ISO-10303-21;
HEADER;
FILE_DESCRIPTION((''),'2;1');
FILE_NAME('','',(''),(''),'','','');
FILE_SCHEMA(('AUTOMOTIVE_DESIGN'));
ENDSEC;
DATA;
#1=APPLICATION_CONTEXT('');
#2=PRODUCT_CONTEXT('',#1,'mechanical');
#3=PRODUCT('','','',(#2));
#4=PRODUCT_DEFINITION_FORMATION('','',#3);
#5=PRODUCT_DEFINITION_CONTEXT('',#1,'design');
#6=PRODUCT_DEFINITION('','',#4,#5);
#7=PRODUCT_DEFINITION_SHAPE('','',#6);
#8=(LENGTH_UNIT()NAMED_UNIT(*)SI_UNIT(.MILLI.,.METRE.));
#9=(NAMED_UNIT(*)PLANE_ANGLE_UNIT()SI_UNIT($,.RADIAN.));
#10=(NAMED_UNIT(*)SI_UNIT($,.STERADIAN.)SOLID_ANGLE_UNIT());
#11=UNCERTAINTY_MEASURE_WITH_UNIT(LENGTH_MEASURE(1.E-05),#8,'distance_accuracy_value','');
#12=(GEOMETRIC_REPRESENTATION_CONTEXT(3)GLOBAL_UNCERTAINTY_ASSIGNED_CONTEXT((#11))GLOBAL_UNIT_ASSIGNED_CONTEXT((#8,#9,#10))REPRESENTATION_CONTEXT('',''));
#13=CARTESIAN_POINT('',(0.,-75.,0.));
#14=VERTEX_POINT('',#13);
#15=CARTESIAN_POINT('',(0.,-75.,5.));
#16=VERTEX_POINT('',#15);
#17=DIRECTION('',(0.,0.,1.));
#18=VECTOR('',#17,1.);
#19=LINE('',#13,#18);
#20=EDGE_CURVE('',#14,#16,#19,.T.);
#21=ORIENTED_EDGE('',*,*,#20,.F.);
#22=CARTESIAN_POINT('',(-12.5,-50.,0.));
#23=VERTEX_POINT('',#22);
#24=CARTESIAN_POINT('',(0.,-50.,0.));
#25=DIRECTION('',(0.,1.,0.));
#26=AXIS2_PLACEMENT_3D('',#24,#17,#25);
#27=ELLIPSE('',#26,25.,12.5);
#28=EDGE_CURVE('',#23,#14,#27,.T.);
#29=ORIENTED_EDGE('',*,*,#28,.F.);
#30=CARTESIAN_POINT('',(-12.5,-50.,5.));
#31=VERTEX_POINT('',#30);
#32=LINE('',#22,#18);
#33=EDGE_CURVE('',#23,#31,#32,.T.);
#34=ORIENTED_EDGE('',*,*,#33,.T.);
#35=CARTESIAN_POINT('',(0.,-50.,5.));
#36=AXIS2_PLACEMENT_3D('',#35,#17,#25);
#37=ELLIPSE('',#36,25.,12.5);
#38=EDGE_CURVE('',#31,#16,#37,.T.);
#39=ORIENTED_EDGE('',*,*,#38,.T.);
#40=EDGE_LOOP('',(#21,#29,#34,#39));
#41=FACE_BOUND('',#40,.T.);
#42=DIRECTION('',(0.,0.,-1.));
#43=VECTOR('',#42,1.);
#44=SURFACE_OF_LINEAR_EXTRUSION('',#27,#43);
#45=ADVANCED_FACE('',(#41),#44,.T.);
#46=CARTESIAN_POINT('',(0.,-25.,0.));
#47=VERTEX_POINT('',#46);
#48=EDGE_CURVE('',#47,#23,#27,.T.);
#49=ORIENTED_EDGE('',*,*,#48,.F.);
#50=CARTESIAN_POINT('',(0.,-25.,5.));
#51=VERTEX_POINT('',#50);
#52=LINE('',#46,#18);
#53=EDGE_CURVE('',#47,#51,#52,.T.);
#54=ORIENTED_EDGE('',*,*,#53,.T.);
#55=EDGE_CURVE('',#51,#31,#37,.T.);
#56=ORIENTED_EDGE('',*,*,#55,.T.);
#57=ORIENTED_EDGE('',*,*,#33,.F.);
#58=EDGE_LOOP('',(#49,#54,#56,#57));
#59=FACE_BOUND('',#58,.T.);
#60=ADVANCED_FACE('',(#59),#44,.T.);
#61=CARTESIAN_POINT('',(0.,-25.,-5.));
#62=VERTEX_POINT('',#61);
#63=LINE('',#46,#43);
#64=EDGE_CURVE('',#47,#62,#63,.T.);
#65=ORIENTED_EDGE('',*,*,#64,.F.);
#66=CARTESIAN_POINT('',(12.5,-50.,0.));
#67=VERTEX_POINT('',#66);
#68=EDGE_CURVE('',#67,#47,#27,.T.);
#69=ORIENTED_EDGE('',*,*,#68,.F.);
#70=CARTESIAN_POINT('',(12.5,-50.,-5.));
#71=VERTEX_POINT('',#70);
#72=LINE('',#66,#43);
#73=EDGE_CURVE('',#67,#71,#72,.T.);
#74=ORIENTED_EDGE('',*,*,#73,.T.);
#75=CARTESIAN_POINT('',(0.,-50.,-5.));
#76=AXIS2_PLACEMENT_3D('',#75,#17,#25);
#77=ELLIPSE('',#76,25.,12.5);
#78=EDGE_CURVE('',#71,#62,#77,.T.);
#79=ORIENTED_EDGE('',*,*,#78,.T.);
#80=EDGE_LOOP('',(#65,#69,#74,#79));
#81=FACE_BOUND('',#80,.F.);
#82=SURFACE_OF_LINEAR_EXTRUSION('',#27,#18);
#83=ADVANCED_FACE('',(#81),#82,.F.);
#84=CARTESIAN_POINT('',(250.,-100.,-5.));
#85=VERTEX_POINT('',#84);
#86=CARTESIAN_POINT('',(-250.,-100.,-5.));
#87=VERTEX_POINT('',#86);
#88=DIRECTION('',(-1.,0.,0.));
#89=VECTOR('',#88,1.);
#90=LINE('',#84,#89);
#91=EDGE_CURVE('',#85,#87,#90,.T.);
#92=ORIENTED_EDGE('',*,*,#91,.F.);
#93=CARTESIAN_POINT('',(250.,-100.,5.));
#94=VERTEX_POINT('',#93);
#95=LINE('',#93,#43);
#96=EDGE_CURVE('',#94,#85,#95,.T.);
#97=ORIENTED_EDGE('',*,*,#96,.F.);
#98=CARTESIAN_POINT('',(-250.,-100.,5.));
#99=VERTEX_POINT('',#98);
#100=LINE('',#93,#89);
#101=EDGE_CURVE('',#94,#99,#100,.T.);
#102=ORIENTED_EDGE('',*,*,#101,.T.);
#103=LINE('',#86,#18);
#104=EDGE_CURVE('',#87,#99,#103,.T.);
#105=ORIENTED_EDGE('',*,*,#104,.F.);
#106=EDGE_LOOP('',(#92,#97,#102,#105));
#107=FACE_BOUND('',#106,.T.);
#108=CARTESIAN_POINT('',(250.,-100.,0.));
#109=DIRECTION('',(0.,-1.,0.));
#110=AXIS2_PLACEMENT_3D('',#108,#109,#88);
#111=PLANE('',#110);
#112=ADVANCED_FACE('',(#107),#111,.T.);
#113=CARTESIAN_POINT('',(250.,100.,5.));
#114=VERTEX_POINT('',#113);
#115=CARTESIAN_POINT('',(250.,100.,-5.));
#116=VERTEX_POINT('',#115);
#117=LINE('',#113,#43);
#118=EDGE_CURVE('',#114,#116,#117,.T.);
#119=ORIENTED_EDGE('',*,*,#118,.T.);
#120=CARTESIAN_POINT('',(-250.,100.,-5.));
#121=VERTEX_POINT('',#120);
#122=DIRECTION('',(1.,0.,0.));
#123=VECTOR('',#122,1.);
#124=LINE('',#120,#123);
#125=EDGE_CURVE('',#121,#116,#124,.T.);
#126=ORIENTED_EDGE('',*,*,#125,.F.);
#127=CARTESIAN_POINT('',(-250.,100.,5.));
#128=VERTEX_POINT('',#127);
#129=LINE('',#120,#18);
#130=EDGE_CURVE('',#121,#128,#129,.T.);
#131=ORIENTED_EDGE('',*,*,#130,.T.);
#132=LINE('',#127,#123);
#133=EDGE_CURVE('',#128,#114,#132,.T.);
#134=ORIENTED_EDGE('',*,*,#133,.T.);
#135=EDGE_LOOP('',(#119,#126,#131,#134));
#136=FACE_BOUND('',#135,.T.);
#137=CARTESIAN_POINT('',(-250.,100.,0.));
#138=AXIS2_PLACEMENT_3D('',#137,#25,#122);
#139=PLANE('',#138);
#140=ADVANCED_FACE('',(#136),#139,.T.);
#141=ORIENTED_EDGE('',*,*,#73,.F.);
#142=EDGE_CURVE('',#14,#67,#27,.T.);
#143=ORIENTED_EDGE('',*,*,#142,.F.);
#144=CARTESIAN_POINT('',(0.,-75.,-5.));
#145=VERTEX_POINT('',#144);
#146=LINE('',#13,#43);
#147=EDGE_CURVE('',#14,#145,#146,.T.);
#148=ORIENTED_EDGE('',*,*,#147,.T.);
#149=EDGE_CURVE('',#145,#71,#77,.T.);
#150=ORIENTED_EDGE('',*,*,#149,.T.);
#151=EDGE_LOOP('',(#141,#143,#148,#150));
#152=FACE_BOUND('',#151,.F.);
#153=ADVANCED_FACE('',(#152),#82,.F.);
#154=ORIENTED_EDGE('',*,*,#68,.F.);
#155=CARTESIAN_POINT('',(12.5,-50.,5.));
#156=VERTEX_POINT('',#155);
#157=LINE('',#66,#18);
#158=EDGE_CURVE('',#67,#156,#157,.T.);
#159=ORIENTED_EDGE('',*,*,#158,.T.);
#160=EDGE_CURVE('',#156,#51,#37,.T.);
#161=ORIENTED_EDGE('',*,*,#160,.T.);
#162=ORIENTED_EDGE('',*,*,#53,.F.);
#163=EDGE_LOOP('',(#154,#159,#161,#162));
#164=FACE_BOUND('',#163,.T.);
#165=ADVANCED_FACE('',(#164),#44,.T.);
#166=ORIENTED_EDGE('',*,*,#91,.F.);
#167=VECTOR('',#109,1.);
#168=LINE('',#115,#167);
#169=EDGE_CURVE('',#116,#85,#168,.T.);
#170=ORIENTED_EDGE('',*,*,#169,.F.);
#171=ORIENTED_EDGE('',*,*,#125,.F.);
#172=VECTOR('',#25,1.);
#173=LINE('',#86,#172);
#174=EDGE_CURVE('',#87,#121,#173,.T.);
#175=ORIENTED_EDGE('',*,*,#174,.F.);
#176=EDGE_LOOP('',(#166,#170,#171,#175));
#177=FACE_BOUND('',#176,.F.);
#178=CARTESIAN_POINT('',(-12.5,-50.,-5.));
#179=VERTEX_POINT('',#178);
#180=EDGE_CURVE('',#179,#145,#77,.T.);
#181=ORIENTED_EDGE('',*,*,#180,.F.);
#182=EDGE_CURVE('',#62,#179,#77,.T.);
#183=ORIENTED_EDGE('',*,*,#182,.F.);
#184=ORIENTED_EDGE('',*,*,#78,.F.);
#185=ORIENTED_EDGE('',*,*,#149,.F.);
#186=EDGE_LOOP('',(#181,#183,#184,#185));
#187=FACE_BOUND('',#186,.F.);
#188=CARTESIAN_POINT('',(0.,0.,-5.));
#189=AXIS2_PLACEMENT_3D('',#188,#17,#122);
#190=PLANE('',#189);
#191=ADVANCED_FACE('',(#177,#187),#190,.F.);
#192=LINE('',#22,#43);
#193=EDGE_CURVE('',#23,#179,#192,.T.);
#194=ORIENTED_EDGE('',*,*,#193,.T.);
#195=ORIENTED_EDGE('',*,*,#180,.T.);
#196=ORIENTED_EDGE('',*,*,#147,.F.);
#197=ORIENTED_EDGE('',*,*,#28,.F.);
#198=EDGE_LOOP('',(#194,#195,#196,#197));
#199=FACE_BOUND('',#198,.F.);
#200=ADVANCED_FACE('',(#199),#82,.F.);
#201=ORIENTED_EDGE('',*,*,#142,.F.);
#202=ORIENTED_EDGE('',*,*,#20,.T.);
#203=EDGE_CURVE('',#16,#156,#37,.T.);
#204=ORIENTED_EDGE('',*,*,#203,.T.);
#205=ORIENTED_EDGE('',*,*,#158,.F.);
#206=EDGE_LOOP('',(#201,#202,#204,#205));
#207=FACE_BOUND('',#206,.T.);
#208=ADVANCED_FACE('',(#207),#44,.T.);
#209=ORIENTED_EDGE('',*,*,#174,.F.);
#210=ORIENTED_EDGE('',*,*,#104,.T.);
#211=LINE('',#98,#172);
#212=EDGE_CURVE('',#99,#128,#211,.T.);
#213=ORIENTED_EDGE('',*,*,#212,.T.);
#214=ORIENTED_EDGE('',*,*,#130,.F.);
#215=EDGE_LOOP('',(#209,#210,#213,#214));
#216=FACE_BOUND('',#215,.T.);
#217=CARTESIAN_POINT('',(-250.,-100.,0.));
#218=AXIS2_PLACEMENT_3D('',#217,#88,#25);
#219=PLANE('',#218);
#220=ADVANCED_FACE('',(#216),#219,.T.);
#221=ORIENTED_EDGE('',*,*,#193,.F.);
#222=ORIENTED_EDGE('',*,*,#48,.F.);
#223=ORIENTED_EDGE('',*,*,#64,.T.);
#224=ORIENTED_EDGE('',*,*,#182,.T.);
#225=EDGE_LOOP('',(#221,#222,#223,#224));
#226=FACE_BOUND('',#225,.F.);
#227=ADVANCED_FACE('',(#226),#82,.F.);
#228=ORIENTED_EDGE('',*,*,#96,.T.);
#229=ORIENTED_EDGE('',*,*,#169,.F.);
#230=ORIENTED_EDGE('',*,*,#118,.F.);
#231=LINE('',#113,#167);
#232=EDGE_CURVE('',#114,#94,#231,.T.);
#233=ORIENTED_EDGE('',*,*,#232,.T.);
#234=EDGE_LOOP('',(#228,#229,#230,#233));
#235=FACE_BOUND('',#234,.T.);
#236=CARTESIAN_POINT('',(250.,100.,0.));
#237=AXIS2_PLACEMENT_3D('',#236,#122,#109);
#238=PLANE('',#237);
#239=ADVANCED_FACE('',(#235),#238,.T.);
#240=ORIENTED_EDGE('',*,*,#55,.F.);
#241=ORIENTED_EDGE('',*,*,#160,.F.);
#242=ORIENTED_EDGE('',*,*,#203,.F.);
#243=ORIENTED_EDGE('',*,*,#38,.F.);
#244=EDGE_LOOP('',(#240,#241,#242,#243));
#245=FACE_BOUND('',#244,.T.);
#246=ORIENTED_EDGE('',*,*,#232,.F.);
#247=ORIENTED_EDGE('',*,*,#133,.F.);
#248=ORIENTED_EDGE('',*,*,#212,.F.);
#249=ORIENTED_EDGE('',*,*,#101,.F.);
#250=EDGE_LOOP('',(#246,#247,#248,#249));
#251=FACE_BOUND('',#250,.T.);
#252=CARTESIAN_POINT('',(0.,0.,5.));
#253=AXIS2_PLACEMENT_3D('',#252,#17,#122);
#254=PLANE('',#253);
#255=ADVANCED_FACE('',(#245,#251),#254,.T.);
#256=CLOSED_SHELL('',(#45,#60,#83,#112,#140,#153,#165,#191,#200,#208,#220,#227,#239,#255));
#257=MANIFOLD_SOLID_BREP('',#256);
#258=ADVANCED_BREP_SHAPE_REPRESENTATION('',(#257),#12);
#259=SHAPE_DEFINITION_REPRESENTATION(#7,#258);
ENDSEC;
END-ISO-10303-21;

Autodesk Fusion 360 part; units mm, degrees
sketch "Sketch1" plane through (0, 0, 0) normal (0, 0, 1) x (1, 0, 0)
  line L0 (-250, 100) -> (250, 100)
  line L1 (250, 100) -> (250, -100)
  line L2 (250, -100) -> (-250, -100)
  line L3 (-250, -100) -> (-250, 100)
  line L4 (0, 100) -> (0, -100) construction
  line L5 (-250, 0) -> (250, 0) construction
  ellipse E0 centre (0, -50) end of major axis (0, -25) minor radius 12.5
  line L6 (0, -75) -> (0, -25)
  line L7 (12.5, -50) -> (-12.5, -50)
  dimension "Major_Radius" = 25
  dimension "Minor_Radius" = 12.5
  dimension "Total_Width" = 500
  dimension "Total_Height" = 200
  dimension "Hole_Offset" = 50
extrude "Extrude1" add sketch "Sketch1" along normal mid plane 10
equation "Thickness = 1 cm"
